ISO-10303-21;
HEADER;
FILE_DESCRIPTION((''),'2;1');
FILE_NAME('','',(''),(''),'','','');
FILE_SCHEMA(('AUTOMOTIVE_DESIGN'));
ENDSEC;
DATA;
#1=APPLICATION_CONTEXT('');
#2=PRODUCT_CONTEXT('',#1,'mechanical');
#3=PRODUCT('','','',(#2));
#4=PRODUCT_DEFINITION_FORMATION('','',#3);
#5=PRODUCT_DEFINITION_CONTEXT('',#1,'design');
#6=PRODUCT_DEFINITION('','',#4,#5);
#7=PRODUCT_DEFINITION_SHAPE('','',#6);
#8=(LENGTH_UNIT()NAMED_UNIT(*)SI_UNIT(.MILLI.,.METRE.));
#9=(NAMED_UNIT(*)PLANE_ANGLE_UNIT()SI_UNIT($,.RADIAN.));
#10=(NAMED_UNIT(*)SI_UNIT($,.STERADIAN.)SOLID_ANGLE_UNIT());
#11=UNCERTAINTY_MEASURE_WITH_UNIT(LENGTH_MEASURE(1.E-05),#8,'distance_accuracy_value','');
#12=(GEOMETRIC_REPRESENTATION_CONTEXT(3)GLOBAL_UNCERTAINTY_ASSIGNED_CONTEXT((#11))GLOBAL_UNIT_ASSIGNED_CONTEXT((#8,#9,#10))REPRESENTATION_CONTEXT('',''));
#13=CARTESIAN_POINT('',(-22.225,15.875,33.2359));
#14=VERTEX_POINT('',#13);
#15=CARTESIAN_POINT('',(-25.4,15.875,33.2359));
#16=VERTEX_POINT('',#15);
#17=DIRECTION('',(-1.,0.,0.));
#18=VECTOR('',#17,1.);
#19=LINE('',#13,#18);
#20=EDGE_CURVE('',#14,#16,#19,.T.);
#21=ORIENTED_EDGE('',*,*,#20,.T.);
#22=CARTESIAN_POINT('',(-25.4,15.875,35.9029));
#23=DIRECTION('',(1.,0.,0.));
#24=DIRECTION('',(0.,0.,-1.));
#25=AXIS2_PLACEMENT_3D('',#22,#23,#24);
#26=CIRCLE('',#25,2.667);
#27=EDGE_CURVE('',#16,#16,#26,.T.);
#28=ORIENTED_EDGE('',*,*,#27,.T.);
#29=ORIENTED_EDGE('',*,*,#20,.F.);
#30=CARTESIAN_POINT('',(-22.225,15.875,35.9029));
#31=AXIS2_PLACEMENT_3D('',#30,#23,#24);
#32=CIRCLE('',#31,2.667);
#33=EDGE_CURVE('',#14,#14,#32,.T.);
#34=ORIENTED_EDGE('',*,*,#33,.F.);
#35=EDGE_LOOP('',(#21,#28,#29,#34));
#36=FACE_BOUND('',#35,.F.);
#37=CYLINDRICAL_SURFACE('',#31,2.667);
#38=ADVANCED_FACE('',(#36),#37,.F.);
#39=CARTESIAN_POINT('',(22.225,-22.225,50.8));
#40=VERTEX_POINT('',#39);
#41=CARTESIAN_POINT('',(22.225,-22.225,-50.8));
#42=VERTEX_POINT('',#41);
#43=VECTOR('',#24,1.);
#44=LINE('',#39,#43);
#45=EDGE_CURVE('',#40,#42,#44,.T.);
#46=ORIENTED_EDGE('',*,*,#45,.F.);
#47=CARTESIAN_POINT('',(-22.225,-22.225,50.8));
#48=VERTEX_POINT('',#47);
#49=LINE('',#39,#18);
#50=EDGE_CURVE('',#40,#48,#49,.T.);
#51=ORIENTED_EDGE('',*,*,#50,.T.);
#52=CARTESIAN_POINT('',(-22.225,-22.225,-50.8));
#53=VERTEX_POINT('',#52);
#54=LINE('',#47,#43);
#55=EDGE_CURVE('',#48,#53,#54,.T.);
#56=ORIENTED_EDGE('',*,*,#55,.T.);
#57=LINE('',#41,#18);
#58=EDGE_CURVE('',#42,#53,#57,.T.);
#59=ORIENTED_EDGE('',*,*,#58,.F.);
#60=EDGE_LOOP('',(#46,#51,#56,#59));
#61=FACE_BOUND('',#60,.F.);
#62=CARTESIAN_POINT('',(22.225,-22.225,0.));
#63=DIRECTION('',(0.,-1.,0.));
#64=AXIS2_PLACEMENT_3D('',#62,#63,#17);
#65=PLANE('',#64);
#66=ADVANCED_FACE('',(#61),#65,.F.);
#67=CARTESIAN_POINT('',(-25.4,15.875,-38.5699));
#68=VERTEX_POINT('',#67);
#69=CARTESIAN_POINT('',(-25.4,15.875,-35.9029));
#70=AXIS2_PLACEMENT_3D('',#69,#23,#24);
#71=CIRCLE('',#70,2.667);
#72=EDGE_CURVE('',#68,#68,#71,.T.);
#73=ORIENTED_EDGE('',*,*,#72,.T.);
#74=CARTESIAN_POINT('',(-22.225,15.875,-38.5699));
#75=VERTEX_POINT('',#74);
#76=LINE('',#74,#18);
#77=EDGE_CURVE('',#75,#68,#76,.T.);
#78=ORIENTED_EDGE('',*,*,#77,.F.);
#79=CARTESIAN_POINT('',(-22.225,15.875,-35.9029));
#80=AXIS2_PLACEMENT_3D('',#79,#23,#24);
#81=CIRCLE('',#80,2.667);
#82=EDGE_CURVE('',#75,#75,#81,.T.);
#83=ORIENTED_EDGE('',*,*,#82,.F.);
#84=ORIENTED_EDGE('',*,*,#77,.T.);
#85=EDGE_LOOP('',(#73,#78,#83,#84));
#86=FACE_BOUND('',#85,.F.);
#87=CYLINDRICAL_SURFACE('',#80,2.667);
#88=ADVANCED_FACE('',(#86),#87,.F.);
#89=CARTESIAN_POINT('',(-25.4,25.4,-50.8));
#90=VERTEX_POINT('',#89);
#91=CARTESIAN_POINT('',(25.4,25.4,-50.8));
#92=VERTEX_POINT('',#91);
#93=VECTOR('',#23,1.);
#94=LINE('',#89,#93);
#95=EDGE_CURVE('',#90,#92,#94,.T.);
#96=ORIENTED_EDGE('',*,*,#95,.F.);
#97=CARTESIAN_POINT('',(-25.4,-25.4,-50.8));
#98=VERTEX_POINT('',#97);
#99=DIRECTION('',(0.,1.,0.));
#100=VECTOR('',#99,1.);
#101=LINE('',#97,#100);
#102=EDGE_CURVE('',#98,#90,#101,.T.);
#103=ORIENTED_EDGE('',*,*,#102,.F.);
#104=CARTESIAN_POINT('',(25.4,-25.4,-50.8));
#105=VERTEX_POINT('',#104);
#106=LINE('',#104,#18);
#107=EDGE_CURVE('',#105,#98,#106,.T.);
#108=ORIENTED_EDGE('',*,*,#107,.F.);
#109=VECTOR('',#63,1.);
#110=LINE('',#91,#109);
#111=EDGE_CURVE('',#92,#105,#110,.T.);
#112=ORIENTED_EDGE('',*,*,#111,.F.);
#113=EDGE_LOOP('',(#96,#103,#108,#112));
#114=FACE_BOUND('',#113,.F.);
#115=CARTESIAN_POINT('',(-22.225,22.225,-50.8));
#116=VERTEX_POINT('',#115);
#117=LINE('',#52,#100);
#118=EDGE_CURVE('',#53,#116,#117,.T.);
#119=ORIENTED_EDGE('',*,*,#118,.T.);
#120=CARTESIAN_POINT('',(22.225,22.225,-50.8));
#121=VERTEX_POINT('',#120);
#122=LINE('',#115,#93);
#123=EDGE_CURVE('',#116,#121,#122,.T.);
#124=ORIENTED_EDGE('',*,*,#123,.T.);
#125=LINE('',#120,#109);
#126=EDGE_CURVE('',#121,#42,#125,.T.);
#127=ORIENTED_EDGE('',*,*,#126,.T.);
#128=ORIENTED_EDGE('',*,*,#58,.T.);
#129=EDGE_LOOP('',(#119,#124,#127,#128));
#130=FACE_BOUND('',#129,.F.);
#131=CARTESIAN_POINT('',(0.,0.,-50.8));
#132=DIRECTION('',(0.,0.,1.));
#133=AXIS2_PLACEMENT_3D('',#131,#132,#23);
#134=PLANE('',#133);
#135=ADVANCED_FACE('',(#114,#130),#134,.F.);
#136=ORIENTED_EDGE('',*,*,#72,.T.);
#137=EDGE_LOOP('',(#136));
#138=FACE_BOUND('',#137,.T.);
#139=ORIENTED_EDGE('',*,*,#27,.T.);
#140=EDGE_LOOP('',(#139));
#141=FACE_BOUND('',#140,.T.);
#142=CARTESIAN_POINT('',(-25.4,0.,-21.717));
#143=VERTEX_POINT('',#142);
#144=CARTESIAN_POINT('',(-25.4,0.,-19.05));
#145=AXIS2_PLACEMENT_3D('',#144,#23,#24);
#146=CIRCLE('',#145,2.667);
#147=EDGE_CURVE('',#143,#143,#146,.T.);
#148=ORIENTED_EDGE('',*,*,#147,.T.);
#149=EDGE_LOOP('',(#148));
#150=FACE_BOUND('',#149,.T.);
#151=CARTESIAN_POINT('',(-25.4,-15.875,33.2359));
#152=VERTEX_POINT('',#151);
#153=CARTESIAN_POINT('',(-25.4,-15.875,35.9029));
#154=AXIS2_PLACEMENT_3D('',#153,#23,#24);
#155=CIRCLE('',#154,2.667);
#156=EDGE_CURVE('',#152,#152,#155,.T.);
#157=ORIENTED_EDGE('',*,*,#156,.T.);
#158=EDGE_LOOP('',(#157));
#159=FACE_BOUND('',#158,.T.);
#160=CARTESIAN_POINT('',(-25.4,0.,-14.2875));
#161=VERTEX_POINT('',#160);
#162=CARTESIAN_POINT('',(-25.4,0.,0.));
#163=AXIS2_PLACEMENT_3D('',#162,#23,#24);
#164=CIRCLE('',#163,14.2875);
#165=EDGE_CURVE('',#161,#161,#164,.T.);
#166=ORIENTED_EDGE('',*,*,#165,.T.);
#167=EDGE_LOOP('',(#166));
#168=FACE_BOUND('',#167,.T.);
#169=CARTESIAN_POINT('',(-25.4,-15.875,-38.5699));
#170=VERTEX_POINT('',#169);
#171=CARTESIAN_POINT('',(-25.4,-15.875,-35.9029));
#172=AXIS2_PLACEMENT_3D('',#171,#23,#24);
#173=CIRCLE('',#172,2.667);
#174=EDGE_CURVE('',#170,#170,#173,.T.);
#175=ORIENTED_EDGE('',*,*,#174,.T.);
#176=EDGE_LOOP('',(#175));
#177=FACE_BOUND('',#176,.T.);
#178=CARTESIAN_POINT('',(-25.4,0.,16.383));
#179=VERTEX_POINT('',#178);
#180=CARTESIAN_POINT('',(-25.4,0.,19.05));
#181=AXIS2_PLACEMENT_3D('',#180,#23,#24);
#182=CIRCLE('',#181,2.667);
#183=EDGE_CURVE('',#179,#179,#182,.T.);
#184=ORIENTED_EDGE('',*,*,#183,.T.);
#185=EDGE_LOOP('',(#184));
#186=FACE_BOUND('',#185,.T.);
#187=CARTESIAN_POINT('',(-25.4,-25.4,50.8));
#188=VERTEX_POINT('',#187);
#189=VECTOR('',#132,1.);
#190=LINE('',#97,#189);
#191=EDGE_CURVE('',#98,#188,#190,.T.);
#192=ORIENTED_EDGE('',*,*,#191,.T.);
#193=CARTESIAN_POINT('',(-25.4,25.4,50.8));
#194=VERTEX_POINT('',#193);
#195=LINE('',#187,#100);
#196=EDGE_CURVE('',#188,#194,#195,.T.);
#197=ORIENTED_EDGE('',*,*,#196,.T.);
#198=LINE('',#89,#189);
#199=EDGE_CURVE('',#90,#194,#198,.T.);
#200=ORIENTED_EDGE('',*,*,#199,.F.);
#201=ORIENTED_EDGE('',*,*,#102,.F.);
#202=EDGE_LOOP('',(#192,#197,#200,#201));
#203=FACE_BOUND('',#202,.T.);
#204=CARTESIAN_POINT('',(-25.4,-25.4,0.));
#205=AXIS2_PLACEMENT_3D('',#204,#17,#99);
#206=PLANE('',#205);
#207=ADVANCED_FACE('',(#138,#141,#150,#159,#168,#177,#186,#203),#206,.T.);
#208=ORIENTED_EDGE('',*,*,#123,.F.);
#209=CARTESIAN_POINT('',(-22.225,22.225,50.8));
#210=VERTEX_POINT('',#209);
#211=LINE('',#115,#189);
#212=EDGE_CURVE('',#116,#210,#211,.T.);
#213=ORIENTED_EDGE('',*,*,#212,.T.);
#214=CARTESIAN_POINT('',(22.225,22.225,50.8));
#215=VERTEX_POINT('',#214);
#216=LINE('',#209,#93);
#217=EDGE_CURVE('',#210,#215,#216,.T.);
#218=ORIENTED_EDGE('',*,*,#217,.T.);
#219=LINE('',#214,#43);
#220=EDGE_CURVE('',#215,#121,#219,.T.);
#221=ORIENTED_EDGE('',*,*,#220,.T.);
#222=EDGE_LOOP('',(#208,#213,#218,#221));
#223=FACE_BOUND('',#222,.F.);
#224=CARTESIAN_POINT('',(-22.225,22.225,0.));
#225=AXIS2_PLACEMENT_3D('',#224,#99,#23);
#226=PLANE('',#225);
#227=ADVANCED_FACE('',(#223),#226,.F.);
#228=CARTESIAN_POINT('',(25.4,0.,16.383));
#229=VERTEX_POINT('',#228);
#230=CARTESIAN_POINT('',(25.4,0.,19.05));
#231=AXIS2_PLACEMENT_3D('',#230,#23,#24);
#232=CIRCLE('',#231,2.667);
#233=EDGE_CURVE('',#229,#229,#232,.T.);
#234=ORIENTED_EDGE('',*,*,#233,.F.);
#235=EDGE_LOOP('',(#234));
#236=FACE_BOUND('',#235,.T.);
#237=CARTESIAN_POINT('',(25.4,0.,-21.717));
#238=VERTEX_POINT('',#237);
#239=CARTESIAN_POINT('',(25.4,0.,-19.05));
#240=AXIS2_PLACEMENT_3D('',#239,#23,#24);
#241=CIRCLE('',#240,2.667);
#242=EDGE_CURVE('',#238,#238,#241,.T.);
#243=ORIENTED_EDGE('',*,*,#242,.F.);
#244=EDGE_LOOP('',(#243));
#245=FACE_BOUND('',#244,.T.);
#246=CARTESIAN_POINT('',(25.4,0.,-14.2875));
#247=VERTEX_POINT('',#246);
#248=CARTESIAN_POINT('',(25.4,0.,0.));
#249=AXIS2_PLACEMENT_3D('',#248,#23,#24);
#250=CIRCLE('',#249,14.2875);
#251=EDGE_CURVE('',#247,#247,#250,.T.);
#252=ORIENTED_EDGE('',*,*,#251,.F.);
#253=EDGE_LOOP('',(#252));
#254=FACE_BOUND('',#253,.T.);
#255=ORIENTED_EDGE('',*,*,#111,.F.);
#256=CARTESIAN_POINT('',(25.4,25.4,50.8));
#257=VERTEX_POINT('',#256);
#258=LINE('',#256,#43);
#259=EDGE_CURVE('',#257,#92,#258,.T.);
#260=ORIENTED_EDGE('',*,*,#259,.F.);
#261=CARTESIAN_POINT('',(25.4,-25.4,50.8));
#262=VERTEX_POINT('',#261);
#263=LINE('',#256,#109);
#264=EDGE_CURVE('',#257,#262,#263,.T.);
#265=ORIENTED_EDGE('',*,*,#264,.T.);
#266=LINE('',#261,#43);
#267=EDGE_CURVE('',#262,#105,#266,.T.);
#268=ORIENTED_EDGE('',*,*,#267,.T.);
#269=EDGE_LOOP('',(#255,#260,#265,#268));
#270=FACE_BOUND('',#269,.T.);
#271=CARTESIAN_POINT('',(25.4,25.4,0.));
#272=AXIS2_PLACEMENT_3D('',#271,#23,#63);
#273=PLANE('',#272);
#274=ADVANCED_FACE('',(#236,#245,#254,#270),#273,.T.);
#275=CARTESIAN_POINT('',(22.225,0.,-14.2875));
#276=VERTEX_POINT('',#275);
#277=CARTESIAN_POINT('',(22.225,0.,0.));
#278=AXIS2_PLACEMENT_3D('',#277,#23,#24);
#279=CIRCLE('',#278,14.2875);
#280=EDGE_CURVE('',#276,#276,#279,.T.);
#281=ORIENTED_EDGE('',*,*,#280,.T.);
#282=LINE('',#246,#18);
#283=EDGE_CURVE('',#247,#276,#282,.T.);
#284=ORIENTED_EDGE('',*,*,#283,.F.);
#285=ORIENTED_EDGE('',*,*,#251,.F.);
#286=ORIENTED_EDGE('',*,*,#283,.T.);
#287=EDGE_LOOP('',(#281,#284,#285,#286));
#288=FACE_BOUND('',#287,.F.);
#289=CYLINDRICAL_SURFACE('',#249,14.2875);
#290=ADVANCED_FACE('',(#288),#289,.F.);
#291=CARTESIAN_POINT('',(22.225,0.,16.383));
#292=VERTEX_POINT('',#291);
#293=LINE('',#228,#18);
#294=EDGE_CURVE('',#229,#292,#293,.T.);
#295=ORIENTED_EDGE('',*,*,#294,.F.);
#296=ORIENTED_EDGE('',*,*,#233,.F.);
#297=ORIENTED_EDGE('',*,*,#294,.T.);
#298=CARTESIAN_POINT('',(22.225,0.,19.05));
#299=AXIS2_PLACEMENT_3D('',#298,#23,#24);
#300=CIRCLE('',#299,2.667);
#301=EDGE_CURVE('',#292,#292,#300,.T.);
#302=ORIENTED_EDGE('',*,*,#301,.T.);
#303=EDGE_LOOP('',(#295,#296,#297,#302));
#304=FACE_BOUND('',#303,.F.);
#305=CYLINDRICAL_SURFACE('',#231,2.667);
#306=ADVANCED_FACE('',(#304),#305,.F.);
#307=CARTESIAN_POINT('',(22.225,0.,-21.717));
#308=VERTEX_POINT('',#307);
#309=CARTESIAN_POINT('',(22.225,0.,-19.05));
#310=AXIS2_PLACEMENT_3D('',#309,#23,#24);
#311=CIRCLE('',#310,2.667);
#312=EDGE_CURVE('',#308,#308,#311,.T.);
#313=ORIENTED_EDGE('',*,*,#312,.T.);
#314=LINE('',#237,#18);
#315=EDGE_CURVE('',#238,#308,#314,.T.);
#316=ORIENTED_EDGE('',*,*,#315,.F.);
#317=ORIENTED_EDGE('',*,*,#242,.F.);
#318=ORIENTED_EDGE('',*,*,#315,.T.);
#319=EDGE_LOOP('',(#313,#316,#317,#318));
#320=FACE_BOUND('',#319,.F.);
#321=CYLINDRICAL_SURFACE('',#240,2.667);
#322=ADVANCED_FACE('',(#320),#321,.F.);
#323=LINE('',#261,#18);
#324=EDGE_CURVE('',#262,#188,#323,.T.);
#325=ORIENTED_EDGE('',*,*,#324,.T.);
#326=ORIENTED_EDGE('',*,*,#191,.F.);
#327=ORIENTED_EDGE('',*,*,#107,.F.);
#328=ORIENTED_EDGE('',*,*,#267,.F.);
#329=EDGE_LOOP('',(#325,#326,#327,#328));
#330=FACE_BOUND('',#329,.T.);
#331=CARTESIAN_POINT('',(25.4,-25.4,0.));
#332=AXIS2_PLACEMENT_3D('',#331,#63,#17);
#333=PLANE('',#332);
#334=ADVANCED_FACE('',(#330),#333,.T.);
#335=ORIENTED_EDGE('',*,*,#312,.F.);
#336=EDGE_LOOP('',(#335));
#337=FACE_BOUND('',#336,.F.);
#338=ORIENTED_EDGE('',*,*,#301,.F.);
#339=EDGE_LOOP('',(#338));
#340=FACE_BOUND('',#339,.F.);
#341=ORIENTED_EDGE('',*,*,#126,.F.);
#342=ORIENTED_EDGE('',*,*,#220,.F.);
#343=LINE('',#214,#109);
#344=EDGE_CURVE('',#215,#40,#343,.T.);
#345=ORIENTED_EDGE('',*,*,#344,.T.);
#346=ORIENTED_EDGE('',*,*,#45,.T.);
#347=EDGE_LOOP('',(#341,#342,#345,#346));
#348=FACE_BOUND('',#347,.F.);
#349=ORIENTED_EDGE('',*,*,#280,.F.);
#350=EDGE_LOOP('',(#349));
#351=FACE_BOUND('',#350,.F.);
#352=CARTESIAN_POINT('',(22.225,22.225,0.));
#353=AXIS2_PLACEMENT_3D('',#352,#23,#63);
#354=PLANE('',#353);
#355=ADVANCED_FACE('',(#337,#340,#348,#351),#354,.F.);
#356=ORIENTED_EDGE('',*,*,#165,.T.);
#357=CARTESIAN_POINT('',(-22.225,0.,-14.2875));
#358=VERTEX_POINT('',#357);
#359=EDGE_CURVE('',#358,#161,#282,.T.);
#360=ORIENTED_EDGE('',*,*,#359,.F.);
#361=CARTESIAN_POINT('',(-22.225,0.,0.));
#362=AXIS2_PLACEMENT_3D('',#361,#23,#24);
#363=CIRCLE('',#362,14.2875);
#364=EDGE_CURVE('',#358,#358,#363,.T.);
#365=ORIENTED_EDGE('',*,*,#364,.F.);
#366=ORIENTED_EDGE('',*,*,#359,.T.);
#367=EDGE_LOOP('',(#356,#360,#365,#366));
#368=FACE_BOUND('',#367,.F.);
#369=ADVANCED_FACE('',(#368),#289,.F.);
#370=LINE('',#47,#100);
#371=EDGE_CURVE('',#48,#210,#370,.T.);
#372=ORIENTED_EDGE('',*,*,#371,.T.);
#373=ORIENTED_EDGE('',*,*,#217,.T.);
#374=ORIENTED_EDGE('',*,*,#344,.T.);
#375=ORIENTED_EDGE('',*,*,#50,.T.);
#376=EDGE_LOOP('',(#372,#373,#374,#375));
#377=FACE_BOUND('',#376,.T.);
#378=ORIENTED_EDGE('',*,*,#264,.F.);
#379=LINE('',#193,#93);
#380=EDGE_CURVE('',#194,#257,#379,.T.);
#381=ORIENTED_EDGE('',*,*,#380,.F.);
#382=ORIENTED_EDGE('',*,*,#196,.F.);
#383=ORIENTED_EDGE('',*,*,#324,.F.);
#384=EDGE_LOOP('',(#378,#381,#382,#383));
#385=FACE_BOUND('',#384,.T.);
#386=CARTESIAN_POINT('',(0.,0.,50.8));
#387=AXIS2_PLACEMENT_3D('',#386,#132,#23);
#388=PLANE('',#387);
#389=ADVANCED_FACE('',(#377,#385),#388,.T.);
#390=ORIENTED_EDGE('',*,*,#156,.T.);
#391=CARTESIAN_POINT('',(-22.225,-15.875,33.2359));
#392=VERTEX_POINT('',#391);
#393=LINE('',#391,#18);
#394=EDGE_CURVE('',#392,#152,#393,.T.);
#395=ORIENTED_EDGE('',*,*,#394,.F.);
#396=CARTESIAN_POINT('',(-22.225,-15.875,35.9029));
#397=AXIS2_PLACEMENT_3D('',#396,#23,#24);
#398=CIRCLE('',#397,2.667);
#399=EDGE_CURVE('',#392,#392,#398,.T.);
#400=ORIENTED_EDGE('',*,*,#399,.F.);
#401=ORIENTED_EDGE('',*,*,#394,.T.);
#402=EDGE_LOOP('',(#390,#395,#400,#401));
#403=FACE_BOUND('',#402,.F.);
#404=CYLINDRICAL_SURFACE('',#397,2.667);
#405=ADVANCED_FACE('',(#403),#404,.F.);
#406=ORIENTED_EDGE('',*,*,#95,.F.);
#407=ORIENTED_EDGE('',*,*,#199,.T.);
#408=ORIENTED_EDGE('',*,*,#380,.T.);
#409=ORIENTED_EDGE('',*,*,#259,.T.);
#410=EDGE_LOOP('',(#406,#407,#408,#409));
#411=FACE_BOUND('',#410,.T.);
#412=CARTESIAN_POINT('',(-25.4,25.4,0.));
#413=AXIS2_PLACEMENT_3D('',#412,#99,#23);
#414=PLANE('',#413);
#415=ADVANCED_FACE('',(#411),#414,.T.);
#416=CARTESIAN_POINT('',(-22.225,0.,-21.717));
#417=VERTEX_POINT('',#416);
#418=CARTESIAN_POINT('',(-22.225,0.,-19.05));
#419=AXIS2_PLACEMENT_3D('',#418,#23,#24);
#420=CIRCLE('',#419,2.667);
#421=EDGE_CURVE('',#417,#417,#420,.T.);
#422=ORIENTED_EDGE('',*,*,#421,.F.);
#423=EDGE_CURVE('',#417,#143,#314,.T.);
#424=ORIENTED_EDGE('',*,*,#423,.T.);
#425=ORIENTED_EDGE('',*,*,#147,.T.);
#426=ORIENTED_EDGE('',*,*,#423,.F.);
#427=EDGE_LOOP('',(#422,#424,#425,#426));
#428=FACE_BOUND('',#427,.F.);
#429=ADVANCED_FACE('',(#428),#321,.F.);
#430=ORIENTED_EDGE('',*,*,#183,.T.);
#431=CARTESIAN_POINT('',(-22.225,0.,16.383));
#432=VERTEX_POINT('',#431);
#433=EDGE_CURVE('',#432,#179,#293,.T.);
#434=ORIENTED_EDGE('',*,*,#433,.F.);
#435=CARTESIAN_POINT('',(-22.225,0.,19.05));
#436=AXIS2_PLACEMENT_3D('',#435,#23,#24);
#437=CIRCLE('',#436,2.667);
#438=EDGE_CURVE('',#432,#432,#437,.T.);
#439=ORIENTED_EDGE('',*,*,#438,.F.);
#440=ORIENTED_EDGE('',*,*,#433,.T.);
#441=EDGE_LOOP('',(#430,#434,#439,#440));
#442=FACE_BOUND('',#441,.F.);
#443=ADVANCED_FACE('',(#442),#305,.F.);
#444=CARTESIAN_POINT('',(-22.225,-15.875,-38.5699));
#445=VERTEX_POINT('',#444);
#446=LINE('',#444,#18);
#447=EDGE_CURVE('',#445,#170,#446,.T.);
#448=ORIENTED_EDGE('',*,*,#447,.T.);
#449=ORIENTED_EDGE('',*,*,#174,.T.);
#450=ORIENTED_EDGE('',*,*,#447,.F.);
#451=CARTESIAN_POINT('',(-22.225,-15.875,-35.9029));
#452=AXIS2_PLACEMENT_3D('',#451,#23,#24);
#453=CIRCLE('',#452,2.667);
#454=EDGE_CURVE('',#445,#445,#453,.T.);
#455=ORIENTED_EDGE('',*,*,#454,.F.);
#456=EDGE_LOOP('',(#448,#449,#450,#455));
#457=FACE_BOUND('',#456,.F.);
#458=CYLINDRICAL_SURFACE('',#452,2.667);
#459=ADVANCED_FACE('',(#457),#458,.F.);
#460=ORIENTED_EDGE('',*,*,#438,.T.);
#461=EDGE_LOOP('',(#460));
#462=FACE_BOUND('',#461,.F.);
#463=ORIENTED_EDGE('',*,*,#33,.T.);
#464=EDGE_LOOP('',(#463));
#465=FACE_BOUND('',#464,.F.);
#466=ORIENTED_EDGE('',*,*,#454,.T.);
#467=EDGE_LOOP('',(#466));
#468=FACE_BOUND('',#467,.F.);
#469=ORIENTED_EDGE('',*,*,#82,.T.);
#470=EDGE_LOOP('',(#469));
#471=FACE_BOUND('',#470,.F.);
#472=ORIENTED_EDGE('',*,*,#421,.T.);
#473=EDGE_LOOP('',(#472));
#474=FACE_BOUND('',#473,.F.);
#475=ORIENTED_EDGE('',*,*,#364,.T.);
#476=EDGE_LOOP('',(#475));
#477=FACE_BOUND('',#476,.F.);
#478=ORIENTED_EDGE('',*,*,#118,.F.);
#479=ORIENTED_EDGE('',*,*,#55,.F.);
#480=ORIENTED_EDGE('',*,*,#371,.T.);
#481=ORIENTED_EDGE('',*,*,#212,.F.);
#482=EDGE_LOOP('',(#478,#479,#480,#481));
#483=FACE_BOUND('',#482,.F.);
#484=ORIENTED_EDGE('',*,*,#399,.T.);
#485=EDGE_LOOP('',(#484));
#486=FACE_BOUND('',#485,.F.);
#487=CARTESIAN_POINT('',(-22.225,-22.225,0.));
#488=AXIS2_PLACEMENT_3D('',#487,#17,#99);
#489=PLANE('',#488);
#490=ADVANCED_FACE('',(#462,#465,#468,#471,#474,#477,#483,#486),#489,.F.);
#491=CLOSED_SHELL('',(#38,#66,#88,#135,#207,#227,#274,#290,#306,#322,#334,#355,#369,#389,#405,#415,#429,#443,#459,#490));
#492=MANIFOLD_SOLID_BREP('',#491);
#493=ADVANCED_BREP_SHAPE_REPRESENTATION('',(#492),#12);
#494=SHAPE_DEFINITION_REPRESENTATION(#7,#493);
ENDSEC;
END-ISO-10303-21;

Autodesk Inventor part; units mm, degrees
ref_plane "YZ Plane" through (0, 0, 0) normal (1, 0, 0) x (0, 1, 0)
ref_plane "XZ Plane" through (0, 0, 0) normal (0, 1, 0) x (-1, 0, 0)
ref_plane "XY Plane" through (0, 0, 0) normal (0, 0, 1) x (1, 0, 0)
sketch "Sketch1" plane through (0, 0, 0) normal (0, 0, 1) x (1, 0, 0)
  line L0 (-35.56, 0) -> (35.56, 0) construction
  line L1 (0, -35.56) -> (0, 35.56) construction
  line L2 (-25.4, 25.4) -> (25.4, 25.4)
  line L3 (25.4, 25.4) -> (25.4, -25.4)
  line L4 (25.4, -25.4) -> (-25.4, -25.4)
  line L5 (-25.4, -25.4) -> (-25.4, 25.4)
  line L6 (-22.225, 22.225) -> (22.225, 22.225)
  line L7 (22.225, 22.225) -> (22.225, -22.225)
  line L8 (22.225, -22.225) -> (-22.225, -22.225)
  line L9 (-22.225, -22.225) -> (-22.225, 22.225)
  point P0 (0, 0)
  point P1 (-25.4, 0)
  point P2 (0, 25.4)
  point P3 (-22.225, 0)
  point P4 (0, 22.225)
  dimension "d0" = 50.8
  dimension "d1" = 3.175
  dimension "d11" = 50.8
  dimension "d12" = 3.175
extrude "Extrusion1" add sketch "Sketch1" along normal mid plane 101.6
sketch "Sketch6" plane through (25.4, -25.4, 50.8) normal (1, 0, 0) x (0, 0, -1)
  circle A0 centre (50.8, 25.4) radius 14.2875
  dimension "d23" = 28.575
extrude "Extrusion7" cut sketch "Sketch6" against normal through all
sketch "Sketch7" plane through (-22.225, -22.225, -50.8) normal (1, 0, 0) x (0, 0, -1)
  circle A0 centre (-14.8971, 6.35) radius 2.667 projected
  circle A1 centre (-86.7029, 6.35) radius 2.667 projected
  circle A2 centre (-14.8971, 38.1) radius 2.667 projected
  circle A3 centre (-86.7029, 38.1) radius 2.667 projected
  point P0 (-50.8, 22.225)
extrude "Extrusion8" cut sketch "Sketch7" against normal up to next
sketch "Sketch8" plane through (25.4, -25.4, 50.8) normal (1, 0, 0) x (0, 0, -1)
  circle A0 centre (50.8, 25.4) radius 15.875 construction
  line L0 (121.92, 25.4) -> (-20.32, 25.4) construction
  circle A1 centre (69.85, 25.4) radius 3.175 construction
  line L1 (50.8, 9.525) -> (50.8, 41.275) construction
  circle A2 centre (69.85, 25.4) radius 5.5499 construction
  circle A3 centre (69.85, 25.4) radius 2.667
  circle A4 centre (31.75, 25.4) radius 2.667
  point P0 (50.8, 25.4)
  dimension "d28" = 6.35
  dimension "d29" = 11.0998
  dimension "d30" = 5.334
extrude "Extrusion9" cut sketch "Sketch8" against normal through all
equation "\"d12\" = d1"
properties part number "Arm 4 inch" material "Aluminum 6061"
